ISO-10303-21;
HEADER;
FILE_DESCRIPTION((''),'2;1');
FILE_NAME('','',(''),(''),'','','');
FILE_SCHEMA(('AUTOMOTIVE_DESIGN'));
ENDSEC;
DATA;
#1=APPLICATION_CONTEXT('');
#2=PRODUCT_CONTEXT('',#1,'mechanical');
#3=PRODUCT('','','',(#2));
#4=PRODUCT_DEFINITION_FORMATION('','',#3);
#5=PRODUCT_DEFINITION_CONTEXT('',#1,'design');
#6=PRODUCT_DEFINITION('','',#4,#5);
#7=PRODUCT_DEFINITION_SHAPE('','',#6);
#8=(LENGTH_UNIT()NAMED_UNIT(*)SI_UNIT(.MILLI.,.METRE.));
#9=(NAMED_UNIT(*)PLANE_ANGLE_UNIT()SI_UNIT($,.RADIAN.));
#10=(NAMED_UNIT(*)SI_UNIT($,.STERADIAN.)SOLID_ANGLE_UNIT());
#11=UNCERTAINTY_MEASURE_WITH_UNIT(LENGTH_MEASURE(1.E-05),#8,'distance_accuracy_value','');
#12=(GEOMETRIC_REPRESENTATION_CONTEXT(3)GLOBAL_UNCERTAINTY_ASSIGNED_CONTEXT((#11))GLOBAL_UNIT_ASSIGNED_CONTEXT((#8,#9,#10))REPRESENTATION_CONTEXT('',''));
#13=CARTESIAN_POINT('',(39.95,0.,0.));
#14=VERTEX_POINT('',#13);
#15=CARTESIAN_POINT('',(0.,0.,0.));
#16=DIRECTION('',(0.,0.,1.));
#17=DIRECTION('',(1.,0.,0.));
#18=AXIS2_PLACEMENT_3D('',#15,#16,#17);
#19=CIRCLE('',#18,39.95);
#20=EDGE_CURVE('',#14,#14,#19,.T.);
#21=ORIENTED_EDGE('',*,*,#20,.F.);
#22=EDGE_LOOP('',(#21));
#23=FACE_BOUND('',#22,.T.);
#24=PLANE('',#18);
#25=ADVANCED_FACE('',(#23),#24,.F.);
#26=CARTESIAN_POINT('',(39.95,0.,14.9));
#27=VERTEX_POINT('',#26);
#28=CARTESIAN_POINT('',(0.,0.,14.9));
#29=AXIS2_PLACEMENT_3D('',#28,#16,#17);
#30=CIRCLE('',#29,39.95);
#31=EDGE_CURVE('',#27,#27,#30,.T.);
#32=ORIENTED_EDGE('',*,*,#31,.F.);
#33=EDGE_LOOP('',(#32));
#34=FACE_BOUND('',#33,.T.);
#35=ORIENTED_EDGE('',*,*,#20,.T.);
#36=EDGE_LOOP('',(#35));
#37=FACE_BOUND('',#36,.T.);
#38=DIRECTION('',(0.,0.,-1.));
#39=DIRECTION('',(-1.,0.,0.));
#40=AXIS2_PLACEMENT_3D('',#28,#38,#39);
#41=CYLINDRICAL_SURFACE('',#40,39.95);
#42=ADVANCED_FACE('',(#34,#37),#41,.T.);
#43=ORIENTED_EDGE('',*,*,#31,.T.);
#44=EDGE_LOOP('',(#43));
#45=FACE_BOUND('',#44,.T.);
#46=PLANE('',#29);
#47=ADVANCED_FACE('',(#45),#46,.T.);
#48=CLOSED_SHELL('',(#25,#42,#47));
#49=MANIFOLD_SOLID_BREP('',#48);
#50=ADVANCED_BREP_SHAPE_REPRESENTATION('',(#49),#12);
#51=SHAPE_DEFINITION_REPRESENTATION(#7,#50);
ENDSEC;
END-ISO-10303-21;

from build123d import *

# Parameters (mm, degrees)
SKETCH1_R           = 39.95
BOSS_EXTRUDE1_DEPTH = 14.9


with BuildPart() as part:
    # Sketch1 → Boss-Extrude1 (new body)
    with BuildSketch(Plane.XY):
        Circle(SKETCH1_R)
    extrude(amount=BOSS_EXTRUDE1_DEPTH)


solid = part.part
